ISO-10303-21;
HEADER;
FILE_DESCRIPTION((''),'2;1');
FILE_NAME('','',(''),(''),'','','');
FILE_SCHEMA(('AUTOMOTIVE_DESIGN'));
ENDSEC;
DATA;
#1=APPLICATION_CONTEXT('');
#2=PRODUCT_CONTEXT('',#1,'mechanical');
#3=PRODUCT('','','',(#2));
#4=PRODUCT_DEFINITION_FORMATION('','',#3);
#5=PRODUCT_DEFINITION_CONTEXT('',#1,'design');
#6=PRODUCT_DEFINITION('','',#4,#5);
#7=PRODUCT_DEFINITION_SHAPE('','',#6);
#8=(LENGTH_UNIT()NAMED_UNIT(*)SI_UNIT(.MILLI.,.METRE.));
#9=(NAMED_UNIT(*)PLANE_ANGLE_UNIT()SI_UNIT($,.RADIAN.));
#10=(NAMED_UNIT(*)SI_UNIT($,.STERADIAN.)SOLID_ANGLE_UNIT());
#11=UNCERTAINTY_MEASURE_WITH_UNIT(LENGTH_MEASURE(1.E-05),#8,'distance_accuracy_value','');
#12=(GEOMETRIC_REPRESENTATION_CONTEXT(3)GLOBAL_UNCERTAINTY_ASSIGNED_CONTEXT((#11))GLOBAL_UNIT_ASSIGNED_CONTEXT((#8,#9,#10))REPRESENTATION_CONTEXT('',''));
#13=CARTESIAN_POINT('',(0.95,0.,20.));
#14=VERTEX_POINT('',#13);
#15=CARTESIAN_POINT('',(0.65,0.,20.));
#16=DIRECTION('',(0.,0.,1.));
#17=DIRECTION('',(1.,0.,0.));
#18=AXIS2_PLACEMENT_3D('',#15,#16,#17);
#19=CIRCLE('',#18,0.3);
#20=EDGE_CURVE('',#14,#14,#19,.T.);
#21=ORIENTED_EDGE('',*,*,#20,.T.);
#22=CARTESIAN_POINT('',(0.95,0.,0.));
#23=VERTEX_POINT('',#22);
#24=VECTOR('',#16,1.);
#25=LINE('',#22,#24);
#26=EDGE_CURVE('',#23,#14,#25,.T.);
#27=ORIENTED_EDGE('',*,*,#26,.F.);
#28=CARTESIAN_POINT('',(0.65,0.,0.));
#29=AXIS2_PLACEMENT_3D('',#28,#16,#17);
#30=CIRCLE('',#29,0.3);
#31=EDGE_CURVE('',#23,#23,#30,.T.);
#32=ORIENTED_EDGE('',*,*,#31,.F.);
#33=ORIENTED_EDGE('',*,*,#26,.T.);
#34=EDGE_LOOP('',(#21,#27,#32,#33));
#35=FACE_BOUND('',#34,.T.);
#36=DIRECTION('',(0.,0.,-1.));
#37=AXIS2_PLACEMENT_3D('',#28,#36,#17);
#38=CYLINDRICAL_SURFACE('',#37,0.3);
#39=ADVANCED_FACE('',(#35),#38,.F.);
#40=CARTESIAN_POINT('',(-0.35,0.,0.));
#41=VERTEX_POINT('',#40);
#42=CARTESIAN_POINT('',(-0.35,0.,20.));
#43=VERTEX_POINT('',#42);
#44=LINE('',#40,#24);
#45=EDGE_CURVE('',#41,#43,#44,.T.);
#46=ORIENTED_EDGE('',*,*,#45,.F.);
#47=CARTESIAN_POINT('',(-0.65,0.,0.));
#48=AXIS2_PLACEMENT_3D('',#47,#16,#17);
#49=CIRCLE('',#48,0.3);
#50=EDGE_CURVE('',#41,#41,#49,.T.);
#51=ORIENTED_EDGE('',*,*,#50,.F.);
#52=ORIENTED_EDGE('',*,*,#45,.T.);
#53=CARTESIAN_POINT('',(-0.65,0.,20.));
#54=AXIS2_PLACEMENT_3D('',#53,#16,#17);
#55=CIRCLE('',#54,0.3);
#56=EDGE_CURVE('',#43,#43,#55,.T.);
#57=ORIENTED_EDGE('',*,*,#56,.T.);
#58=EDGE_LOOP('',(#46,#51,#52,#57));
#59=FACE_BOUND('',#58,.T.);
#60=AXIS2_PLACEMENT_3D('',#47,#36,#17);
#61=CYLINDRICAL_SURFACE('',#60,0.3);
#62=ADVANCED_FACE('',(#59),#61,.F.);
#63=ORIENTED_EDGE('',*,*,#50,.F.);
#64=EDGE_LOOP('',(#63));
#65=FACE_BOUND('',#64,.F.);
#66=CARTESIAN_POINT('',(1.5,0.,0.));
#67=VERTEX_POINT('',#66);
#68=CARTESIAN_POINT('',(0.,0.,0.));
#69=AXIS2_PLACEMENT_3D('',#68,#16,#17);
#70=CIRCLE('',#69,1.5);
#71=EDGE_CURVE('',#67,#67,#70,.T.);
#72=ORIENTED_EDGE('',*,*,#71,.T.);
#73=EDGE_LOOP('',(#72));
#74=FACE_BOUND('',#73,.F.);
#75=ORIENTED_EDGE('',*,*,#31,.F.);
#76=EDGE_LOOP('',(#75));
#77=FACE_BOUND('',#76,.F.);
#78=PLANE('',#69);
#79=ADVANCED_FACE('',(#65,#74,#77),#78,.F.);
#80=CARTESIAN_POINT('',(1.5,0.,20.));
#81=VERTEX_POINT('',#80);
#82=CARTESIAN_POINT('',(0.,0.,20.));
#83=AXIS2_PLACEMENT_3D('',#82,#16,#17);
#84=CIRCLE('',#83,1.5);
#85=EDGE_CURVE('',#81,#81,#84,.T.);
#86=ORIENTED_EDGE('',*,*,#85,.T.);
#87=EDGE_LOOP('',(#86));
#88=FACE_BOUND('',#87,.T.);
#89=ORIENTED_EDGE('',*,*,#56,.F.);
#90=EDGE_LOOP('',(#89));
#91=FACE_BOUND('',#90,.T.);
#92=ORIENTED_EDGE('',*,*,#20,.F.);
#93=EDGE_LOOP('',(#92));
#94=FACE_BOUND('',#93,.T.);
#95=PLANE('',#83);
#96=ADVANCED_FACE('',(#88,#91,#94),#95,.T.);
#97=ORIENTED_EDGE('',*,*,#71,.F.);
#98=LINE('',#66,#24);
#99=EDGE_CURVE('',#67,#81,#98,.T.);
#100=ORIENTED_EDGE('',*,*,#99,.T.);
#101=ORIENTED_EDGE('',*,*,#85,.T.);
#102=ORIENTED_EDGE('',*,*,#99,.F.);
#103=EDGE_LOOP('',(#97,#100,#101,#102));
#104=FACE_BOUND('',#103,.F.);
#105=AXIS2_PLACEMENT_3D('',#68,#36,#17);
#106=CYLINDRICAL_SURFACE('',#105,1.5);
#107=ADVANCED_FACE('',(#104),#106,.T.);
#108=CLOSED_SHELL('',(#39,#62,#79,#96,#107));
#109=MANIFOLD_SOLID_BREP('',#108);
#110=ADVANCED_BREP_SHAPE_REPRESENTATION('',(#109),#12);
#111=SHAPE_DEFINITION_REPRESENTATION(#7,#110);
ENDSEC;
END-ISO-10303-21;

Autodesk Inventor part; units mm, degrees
ref_plane "YZ Plane" through (0, 0, 0) normal (1, 0, 0) x (0, 1, 0)
ref_plane "XZ Plane" through (0, 0, 0) normal (0, 1, 0) x (-1, 0, 0)
ref_plane "XY Plane" through (0, 0, 0) normal (0, 0, 1) x (1, 0, 0)
sketch "Sketch1" plane through (0, 0, 0) normal (0, 0, 1) x (1, 0, 0)
  circle A0 centre (-0.65, 0) radius 0.3
  circle A1 centre (0.65, 0) radius 0.3
  line L0 (-0.65, 0) -> (0.65, 0) construction
  circle A2 centre (0, 0) radius 1.5
  dimension "d4" = 0.6
  dimension "d5" = 1.3
  dimension "d6" = 3
extrude "Extrusion1" add sketch "Sketch1" along normal blind 20
properties part number "Ceramic-tube-two-holes-phi3x0.5" material "Polystyrene"
